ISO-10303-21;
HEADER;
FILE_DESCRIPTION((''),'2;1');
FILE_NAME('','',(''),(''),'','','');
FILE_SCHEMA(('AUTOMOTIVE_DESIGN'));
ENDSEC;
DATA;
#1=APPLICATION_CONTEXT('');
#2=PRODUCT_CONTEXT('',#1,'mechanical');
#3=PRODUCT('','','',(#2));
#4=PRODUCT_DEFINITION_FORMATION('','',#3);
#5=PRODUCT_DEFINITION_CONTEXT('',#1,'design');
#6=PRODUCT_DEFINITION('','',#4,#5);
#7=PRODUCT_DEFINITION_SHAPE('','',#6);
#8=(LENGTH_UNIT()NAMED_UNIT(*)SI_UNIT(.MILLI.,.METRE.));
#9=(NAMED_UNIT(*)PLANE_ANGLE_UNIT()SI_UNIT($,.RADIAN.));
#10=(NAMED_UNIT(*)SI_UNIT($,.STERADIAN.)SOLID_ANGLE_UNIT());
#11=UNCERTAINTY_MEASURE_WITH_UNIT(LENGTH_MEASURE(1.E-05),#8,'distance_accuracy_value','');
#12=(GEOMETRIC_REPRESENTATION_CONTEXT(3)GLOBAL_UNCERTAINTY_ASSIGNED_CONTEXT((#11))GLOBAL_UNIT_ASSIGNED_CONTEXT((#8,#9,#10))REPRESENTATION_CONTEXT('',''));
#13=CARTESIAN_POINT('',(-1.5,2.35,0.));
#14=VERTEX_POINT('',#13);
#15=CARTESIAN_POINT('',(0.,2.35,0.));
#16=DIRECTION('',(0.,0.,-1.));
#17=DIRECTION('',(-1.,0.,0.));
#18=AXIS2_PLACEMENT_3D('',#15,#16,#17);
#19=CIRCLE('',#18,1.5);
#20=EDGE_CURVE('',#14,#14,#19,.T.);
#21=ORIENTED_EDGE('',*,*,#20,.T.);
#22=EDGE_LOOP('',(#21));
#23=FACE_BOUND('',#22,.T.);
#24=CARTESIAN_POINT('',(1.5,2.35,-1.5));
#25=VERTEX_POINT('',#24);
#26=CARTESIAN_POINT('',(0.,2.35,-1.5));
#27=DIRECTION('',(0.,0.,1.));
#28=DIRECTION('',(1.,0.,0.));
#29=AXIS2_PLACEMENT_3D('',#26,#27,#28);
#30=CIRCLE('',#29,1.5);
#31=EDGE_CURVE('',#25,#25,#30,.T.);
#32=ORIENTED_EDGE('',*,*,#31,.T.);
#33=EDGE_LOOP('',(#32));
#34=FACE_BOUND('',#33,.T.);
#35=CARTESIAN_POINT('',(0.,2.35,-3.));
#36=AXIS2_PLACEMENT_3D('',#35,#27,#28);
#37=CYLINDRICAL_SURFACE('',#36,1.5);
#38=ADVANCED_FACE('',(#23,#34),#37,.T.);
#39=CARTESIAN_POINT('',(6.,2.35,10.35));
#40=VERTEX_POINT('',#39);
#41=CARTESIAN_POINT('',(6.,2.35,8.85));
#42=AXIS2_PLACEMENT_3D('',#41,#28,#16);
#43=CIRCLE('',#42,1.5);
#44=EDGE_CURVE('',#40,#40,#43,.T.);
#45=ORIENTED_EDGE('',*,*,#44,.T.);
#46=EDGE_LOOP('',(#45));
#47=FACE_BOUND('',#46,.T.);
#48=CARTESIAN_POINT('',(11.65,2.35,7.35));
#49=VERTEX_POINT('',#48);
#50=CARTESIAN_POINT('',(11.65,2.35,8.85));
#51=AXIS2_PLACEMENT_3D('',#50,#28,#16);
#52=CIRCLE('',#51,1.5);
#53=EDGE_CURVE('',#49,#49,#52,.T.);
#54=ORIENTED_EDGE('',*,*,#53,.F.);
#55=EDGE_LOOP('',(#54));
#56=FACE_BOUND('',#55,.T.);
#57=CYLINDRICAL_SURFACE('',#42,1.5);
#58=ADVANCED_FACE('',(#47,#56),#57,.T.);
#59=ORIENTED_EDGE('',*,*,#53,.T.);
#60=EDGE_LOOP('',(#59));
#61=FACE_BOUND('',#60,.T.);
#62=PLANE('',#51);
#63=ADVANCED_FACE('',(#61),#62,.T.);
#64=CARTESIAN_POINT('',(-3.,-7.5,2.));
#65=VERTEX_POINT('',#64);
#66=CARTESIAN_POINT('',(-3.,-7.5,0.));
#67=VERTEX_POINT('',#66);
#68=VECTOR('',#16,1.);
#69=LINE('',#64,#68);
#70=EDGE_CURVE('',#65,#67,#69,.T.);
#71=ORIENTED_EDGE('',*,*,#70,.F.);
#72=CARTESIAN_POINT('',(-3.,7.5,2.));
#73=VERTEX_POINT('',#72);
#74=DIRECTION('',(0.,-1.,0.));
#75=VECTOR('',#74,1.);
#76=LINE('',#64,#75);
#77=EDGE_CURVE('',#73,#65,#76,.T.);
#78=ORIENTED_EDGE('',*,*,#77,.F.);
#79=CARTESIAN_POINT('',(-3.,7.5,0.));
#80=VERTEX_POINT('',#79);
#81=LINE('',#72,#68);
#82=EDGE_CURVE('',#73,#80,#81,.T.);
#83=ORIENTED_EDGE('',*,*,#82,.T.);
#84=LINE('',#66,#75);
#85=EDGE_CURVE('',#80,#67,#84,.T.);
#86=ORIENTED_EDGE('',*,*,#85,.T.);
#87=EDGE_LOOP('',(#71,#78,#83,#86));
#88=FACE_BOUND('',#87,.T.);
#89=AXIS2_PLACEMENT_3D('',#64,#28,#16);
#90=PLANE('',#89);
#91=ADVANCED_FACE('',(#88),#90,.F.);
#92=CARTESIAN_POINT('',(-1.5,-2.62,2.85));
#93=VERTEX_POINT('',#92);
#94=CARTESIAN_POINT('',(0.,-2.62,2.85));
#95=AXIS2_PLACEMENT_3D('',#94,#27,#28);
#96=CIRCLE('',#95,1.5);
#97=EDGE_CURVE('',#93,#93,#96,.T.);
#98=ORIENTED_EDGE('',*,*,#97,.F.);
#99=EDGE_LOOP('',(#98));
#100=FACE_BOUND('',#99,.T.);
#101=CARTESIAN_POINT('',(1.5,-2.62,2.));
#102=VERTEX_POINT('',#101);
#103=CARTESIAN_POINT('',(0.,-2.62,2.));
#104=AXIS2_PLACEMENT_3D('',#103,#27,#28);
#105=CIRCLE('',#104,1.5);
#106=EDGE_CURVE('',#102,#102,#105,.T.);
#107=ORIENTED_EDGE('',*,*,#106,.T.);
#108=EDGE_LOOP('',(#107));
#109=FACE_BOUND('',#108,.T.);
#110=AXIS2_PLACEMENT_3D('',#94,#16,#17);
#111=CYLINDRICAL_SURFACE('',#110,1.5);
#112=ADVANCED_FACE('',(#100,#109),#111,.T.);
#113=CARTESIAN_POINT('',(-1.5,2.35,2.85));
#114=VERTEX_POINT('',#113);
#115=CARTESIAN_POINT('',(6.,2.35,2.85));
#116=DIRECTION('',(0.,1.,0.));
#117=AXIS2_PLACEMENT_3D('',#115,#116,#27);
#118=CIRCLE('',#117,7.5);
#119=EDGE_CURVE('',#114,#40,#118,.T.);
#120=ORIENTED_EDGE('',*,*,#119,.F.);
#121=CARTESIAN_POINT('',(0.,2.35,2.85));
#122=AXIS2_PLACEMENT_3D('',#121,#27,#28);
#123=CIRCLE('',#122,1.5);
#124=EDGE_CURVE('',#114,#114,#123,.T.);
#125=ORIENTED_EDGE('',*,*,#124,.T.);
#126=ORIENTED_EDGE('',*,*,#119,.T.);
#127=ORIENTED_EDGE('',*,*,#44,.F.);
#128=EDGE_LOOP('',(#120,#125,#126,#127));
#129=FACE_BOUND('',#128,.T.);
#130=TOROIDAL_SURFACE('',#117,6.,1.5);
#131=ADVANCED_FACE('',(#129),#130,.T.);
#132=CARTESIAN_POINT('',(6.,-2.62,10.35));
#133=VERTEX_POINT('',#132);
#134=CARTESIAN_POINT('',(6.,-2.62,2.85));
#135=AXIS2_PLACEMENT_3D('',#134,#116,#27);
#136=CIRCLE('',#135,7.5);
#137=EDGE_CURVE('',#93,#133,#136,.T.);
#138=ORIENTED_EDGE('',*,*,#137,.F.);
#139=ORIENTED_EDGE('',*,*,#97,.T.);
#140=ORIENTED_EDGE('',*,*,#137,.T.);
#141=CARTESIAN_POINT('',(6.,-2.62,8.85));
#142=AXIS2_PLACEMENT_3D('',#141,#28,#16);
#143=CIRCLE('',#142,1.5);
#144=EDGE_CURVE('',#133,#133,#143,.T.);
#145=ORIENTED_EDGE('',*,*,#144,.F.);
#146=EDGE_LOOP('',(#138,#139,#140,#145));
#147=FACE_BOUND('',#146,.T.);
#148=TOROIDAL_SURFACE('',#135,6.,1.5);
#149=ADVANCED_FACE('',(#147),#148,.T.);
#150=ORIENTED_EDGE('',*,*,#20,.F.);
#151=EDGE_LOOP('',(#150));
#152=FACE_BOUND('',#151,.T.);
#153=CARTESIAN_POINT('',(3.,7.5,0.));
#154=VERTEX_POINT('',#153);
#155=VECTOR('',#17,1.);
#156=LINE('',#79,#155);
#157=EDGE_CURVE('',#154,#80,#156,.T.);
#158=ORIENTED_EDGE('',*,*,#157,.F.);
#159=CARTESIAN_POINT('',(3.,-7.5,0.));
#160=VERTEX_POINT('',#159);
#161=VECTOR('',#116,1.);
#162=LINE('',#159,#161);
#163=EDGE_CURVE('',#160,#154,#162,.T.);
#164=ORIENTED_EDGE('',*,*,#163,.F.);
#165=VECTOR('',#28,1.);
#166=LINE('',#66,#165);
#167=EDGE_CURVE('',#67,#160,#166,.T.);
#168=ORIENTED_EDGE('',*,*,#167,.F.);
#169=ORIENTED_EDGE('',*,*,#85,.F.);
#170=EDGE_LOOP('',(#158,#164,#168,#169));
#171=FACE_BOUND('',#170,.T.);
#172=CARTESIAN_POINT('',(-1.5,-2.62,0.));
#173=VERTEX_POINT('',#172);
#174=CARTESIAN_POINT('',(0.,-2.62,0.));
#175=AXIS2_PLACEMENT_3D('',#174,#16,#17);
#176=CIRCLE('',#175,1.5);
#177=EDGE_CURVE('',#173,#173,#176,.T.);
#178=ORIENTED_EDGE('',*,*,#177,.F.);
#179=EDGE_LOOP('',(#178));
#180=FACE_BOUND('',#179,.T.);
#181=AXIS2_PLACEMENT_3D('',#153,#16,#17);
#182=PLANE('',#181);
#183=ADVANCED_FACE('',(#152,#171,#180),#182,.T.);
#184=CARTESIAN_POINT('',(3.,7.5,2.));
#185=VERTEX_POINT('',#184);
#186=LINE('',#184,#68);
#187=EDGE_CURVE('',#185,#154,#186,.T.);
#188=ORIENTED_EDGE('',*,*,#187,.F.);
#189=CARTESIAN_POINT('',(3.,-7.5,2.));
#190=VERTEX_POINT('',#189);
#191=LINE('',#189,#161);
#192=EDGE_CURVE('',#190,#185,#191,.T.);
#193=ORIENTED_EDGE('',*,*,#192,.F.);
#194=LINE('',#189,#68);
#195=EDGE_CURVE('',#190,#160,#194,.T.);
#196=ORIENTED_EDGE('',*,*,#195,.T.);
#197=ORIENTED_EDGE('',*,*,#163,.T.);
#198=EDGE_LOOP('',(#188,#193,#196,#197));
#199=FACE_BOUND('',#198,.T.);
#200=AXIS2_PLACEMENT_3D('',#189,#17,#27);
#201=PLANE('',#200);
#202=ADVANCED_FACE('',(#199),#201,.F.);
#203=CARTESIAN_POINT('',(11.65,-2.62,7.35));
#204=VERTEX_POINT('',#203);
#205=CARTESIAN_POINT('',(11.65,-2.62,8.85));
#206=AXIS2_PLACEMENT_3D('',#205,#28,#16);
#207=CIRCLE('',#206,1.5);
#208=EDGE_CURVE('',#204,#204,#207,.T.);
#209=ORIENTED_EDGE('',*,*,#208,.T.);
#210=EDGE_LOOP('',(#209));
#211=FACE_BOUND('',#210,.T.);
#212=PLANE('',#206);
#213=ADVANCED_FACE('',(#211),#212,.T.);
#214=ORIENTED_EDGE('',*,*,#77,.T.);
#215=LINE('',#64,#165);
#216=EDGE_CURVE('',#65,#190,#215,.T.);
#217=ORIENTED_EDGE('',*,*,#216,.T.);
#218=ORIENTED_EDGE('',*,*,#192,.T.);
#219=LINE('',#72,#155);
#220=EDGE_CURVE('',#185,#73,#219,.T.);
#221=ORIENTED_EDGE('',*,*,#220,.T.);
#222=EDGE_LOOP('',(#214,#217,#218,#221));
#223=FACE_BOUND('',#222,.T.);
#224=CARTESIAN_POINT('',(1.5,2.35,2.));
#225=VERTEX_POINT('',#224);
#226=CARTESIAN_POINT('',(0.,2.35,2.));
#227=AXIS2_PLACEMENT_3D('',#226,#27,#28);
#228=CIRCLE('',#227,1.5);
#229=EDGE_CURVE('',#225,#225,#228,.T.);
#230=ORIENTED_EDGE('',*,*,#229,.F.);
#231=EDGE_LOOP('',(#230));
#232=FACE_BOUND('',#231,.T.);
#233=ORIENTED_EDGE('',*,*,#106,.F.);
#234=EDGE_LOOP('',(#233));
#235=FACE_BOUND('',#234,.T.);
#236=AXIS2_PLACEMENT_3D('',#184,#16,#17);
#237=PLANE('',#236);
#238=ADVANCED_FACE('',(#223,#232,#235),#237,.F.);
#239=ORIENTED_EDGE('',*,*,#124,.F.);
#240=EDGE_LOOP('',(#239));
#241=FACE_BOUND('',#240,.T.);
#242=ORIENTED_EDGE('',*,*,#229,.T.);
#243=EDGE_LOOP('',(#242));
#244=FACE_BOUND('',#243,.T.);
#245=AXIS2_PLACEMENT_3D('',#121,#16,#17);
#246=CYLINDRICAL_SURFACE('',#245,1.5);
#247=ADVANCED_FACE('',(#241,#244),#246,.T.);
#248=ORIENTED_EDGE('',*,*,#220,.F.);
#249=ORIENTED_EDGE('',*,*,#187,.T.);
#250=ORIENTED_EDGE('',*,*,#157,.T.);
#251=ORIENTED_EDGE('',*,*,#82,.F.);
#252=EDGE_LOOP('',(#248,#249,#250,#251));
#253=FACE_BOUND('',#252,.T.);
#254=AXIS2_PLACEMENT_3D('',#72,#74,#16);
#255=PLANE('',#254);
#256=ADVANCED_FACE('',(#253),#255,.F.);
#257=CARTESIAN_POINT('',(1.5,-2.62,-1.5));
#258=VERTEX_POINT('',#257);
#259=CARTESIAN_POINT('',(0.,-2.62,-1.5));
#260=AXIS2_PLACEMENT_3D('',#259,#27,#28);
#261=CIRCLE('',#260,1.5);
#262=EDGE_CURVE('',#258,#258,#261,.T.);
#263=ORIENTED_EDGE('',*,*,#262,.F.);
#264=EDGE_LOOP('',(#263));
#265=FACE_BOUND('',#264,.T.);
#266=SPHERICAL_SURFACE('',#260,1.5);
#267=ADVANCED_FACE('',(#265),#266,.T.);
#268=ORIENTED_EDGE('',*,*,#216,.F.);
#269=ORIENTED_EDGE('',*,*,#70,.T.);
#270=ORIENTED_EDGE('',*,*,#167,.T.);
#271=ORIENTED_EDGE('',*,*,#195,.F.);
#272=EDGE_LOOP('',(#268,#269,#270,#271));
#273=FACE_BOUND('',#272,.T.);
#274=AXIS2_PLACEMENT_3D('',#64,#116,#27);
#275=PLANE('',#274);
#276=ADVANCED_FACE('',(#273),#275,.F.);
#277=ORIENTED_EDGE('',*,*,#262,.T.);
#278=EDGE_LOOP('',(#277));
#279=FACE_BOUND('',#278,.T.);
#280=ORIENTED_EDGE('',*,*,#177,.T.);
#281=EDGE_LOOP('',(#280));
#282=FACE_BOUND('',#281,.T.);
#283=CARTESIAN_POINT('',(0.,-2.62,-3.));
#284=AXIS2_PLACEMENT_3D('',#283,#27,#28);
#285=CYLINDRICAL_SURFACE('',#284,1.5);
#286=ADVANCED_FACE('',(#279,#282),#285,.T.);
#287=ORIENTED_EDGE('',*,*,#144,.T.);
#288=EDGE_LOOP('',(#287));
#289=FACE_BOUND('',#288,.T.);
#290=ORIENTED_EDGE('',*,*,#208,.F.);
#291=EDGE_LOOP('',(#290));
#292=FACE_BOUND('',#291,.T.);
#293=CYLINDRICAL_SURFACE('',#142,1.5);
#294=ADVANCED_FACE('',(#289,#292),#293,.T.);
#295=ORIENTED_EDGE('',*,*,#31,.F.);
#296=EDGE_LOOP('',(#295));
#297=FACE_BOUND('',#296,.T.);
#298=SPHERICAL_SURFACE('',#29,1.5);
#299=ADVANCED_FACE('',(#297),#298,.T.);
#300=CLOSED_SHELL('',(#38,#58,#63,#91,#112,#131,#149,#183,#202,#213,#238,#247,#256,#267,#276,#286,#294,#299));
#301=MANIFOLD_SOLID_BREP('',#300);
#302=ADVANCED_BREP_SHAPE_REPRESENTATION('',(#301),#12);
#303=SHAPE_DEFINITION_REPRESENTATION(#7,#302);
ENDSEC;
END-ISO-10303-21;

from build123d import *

# Parameters (mm, degrees)
SKETCH1_W           = 6
SKETCH1_H           = 15
BOSS_EXTRUDE1_DEPTH = 2
SKETCH2_R           = 1.5
BOSS_EXTRUDE2_DEPTH = 3
FILLET1_R           = 1.5
SKETCH3_R           = 1.5


with BuildPart() as part:
    # Sketch1 → Boss-Extrude1 (new body)
    with BuildSketch(Plane.XY):
        Rectangle(SKETCH1_W, SKETCH1_H)
    extrude(amount=BOSS_EXTRUDE1_DEPTH)

    # Sketch2 → Boss-Extrude2 (add)
    with BuildSketch(Plane(origin=(0, 0, 0), x_dir=(-1, 0, 0), z_dir=(0, 0, -1))):
        with Locations((0, 2.35)):
            Circle(SKETCH2_R)
        with Locations((0, -2.62)):
            Circle(SKETCH2_R)
    extrude(amount=BOSS_EXTRUDE2_DEPTH)

    # Fillet1
    fillet1_edges = [part.edges().sort_by_distance(p)[0] for p in [
        (1.5, 2.35, -3),
        (1.5, -2.62, -3),
    ]]
    fillet(fillet1_edges, radius=FILLET1_R)

    # Sweep1: sweep along a path in Sketch4
    with BuildLine(Plane(origin=(0, 2.35, 0), x_dir=(-1, 0, 0), z_dir=(0, 1, 0))) as sweep1_path:
        Line((0, 2), (0, 2.85))
        ThreePointArc((0, 2.85), (-1.757359313, 7.092640687), (-6, 8.85))
        Line((-6, 8.85), (-11.65, 8.85))
    # Sketch3 → Sweep1 (sweep)
    with BuildSketch(Plane.XY.offset(2)):
        with Locations((0, -2.62)):
            Circle(SKETCH3_R)
        with Locations((0, 2.35)):
            Circle(SKETCH3_R)
    sweep(path=sweep1_path.line)


solid = part.part
